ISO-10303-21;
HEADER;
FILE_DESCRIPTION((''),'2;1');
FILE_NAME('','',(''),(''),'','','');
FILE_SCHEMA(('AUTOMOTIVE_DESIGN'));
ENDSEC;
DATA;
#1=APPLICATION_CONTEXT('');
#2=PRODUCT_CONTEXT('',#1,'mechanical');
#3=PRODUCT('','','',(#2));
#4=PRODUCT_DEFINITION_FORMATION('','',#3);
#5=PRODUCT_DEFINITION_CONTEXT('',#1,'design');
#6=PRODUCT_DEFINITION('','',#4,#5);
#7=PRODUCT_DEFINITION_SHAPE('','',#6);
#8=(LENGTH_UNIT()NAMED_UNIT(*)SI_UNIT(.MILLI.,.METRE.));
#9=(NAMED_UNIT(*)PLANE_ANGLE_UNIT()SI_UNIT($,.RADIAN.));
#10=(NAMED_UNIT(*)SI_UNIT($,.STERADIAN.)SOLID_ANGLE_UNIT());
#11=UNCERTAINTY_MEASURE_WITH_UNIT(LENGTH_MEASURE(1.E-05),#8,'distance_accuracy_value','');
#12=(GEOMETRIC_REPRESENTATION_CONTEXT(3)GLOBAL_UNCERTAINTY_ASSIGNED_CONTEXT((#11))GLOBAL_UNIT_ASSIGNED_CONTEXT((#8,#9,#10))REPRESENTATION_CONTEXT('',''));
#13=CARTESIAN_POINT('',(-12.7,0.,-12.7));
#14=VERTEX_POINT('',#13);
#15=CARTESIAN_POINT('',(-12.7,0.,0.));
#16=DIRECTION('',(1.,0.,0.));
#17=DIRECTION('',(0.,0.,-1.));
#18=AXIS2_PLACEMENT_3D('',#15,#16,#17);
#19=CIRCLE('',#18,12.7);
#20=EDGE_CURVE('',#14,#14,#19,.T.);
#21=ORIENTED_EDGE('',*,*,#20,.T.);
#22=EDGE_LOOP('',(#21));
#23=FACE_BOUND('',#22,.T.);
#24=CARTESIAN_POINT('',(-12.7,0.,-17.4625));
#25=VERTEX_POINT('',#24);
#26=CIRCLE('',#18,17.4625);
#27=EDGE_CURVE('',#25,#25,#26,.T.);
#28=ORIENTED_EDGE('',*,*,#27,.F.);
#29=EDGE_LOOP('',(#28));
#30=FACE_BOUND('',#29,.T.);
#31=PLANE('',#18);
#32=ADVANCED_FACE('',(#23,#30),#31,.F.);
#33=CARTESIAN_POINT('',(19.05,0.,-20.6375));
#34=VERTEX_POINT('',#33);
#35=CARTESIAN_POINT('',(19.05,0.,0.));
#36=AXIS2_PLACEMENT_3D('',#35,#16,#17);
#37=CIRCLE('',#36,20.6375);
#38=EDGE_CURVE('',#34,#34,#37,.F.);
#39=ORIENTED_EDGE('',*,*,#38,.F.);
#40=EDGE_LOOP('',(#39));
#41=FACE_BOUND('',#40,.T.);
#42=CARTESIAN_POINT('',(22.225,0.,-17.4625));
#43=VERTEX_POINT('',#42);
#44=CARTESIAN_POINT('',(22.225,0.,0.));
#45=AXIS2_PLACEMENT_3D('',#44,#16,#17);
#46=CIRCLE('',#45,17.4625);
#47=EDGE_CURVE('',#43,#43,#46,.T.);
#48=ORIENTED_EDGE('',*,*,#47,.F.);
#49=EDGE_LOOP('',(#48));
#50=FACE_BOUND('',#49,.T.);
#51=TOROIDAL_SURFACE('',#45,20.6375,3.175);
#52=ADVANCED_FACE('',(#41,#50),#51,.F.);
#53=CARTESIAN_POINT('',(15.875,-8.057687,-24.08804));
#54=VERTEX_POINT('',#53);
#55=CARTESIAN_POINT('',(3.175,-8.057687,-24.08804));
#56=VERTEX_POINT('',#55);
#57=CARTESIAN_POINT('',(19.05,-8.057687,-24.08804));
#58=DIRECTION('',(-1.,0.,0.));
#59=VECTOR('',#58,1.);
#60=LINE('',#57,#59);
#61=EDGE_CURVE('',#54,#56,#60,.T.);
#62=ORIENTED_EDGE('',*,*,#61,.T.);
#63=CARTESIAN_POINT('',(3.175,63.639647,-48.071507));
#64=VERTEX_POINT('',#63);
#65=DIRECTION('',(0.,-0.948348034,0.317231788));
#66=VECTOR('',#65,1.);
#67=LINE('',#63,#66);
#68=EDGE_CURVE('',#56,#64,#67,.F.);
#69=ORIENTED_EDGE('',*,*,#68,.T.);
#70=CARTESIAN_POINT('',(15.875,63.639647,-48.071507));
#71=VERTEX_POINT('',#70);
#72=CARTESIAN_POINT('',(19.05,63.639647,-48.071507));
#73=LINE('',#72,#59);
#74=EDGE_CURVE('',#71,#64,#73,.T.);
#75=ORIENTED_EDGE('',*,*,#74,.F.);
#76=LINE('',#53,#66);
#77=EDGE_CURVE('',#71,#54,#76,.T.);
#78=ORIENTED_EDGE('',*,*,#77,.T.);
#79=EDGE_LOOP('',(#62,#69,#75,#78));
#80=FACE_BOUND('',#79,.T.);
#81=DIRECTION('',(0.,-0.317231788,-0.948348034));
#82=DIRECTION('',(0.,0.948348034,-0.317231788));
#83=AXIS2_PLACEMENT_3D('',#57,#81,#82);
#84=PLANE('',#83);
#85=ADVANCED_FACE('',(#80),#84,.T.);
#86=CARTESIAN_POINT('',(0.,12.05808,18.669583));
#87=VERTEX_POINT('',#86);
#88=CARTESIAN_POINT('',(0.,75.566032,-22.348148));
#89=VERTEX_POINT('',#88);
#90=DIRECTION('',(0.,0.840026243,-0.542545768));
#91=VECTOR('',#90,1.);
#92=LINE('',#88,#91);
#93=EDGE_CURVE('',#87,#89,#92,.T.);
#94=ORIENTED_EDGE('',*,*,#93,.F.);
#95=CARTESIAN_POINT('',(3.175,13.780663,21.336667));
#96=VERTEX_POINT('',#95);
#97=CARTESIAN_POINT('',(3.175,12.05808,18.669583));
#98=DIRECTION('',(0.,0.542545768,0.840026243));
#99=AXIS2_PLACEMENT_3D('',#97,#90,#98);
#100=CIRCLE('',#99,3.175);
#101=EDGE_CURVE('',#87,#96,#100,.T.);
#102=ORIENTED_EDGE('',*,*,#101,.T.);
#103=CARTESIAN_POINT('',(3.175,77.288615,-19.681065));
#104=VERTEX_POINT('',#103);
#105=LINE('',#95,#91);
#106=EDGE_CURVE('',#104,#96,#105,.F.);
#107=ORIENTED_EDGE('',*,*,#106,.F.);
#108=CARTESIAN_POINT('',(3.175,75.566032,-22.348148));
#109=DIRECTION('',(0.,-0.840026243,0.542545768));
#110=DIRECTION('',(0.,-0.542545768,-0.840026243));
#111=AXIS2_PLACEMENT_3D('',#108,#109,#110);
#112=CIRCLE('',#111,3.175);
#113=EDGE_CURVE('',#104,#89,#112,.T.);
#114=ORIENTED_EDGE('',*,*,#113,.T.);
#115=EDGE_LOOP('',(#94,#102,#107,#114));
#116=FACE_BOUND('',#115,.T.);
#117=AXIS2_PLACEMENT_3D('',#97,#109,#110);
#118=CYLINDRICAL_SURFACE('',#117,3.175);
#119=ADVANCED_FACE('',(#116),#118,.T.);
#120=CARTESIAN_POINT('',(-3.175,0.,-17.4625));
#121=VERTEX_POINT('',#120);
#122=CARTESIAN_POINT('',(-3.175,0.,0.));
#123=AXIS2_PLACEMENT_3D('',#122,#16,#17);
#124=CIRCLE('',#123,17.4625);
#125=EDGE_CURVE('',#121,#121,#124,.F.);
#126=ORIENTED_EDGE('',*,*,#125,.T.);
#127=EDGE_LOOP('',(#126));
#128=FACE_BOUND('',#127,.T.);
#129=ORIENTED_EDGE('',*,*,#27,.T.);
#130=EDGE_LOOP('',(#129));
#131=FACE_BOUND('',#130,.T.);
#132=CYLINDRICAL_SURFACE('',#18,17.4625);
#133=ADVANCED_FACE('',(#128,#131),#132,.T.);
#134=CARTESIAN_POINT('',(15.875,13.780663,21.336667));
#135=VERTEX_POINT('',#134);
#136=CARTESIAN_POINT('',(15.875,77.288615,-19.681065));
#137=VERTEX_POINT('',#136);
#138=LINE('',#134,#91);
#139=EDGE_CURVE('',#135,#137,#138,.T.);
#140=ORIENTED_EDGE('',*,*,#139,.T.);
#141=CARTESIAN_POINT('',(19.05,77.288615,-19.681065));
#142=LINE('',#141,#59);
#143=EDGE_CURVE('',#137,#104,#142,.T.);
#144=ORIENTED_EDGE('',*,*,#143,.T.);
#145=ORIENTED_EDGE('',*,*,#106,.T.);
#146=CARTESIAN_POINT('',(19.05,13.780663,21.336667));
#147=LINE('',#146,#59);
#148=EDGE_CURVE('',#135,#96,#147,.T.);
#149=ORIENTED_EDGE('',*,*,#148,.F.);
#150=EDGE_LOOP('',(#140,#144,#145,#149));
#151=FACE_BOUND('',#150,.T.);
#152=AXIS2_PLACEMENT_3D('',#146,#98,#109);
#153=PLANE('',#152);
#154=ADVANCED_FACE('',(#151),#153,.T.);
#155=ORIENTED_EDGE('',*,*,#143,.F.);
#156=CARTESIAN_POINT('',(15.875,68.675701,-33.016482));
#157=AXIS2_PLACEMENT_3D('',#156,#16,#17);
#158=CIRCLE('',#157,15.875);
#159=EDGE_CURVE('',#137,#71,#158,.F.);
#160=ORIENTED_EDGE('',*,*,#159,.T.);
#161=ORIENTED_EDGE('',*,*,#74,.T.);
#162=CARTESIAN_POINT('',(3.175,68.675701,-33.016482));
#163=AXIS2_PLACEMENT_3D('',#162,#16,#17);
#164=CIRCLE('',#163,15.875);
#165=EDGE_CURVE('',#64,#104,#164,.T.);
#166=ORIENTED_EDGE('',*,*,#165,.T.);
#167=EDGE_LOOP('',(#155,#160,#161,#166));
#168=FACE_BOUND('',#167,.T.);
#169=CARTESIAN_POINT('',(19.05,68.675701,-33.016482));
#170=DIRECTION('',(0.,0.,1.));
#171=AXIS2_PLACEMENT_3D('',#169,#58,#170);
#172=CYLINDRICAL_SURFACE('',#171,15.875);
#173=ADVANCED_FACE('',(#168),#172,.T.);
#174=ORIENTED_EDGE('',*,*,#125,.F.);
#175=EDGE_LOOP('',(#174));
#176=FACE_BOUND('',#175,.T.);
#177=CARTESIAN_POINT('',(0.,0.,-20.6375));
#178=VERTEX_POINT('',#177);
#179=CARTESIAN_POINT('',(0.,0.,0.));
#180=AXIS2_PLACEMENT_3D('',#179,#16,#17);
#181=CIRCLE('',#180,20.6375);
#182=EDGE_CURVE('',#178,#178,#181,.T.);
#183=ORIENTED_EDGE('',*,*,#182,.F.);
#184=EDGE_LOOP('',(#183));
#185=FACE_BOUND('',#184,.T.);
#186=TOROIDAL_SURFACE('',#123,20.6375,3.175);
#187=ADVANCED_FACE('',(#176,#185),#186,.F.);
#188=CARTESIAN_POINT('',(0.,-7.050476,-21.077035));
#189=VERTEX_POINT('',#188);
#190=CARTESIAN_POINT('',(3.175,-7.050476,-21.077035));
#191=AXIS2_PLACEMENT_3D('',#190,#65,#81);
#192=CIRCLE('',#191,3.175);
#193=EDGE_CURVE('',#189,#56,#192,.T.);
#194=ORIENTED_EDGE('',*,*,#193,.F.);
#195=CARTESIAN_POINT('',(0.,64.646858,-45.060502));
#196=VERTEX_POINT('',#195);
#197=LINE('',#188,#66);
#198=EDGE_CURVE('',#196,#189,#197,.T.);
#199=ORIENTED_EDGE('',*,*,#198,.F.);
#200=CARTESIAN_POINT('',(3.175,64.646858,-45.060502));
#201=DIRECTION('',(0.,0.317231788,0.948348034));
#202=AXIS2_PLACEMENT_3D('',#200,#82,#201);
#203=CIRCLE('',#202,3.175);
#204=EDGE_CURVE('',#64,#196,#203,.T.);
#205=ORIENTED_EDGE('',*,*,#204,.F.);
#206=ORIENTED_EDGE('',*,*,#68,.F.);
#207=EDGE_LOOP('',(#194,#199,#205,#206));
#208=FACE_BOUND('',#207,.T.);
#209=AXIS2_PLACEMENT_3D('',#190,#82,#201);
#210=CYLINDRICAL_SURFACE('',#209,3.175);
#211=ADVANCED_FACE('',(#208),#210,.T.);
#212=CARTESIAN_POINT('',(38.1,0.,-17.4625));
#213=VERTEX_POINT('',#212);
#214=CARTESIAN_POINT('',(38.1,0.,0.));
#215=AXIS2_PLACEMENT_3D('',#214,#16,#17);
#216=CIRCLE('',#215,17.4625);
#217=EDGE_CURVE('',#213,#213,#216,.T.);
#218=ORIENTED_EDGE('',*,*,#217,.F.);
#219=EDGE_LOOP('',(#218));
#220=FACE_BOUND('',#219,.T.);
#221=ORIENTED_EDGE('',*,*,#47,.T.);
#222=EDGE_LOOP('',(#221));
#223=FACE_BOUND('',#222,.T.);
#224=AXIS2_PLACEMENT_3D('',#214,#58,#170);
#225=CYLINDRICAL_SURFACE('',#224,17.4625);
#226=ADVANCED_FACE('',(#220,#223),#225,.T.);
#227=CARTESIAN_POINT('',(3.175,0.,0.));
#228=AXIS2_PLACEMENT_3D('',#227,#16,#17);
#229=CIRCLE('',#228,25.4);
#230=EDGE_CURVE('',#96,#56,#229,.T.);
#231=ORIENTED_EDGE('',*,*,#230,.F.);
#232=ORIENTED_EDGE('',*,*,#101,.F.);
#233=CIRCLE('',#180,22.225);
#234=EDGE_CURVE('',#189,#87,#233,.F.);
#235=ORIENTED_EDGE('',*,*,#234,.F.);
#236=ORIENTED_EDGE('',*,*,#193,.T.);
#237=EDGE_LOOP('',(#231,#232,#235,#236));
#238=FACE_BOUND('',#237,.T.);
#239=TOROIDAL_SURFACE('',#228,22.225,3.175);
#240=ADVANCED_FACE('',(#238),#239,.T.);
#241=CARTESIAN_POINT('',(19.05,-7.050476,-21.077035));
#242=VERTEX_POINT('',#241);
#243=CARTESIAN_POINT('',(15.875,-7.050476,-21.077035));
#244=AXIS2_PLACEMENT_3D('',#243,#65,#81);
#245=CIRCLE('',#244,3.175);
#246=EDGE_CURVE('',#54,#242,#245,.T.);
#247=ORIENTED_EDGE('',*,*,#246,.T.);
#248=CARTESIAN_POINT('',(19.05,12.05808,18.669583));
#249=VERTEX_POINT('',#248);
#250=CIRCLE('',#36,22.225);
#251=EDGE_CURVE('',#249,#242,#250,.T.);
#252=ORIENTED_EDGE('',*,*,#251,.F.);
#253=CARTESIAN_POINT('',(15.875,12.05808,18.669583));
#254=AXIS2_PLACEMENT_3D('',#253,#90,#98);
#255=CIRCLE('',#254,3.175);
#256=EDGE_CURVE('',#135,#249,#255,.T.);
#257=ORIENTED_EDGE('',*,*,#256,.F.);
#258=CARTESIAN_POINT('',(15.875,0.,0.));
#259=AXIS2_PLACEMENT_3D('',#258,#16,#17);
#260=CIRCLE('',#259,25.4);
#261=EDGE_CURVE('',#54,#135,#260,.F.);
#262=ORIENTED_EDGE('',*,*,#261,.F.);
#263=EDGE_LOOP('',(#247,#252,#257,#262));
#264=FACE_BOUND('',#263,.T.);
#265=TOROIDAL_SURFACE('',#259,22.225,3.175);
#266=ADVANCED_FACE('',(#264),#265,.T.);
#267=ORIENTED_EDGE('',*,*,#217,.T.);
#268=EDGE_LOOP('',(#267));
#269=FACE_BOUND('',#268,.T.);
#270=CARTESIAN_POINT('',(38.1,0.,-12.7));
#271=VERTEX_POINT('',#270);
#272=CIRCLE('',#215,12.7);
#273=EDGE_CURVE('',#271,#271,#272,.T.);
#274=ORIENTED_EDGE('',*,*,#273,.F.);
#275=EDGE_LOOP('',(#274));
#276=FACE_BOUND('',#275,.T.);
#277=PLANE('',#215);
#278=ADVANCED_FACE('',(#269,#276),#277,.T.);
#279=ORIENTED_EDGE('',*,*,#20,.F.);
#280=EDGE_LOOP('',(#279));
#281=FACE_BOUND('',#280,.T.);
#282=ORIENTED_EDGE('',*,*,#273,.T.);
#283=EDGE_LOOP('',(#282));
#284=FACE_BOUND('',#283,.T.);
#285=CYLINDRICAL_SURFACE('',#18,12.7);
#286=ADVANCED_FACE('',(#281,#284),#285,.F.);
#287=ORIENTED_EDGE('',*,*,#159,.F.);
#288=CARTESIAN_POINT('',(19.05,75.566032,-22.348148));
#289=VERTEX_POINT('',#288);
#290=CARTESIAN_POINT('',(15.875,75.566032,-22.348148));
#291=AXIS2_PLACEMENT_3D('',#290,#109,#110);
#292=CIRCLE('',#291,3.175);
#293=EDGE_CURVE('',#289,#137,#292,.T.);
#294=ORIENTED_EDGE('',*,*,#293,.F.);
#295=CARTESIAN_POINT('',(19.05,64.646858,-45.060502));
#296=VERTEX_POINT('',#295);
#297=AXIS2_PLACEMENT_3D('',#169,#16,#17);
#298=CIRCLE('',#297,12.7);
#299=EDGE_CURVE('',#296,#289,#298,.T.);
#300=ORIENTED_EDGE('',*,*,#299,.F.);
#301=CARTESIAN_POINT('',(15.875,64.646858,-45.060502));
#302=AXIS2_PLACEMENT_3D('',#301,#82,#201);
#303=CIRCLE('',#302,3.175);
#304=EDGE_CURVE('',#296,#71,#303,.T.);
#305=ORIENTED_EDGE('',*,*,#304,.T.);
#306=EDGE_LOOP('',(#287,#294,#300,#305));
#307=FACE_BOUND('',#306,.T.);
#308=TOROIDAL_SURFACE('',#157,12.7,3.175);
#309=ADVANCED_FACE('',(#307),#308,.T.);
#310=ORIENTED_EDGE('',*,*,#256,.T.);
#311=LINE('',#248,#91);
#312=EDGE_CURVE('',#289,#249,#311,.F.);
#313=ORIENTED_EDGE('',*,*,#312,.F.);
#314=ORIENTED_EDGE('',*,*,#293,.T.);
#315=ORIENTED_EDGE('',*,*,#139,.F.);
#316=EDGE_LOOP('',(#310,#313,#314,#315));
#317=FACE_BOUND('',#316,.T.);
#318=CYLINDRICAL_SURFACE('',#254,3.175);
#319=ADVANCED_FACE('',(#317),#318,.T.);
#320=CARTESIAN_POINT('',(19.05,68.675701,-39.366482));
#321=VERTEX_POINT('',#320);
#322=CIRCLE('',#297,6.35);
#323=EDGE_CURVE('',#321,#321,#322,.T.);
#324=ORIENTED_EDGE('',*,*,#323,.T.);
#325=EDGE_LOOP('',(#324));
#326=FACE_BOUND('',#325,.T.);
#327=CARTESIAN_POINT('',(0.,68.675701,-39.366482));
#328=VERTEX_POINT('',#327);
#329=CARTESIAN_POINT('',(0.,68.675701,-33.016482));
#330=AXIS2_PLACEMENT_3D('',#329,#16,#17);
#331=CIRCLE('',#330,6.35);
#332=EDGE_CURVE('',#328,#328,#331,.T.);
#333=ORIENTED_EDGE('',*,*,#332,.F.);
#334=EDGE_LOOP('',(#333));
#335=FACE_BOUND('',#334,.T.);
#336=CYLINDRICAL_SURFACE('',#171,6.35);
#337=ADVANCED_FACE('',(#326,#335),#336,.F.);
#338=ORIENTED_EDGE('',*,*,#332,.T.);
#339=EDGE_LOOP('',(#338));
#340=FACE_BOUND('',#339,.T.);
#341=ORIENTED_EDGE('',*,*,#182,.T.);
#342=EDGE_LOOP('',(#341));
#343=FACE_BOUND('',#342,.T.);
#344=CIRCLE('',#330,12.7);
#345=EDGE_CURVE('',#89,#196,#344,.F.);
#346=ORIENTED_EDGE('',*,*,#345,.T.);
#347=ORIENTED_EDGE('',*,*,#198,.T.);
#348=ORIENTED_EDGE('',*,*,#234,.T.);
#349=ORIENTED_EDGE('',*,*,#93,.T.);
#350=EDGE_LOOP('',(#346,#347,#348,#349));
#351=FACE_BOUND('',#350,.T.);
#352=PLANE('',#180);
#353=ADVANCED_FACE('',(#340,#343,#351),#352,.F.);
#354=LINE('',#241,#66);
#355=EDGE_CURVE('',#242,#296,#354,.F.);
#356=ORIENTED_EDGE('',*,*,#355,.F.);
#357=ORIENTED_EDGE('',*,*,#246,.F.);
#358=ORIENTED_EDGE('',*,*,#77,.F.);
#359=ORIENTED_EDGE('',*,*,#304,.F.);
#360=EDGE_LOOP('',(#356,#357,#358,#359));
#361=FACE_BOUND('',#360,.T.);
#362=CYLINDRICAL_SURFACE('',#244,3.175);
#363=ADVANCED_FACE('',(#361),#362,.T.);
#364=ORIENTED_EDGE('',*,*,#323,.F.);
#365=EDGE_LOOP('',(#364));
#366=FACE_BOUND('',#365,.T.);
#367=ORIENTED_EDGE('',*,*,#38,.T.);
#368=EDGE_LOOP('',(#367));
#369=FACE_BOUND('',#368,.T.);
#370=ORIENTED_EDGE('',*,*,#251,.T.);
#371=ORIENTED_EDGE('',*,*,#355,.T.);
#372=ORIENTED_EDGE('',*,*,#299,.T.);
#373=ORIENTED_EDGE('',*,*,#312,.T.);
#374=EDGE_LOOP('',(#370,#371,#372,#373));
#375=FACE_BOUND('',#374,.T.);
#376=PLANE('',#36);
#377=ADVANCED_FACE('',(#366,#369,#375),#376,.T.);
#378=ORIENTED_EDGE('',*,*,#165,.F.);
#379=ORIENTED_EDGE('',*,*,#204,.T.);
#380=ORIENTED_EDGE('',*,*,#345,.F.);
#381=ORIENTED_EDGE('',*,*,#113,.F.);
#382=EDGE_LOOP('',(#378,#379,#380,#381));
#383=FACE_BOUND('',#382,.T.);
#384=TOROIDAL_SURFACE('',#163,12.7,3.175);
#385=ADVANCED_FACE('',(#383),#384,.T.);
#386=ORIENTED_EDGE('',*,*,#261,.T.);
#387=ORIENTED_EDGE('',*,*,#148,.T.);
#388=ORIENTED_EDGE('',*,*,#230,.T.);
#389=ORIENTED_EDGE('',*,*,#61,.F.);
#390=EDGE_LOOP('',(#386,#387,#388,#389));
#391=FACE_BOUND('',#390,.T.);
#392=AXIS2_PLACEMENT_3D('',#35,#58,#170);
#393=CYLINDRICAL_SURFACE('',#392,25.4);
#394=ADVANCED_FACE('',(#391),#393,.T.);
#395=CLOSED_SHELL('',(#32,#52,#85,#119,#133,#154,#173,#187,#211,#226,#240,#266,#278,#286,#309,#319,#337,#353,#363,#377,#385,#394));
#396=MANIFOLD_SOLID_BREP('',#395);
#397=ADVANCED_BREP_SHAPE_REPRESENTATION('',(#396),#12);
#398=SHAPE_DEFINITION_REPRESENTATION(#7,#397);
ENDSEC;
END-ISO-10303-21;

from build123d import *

# Parameters (mm, degrees)
SKETCH1_R           = 17.4625
SKETCH1_R_2         = 12.7
BOSS_EXTRUDE1_DEPTH = 12.7
BOSS_EXTRUDE2_START = 19.05
SKETCH1_3_R         = 6.35
SKETCH1_3_R_2       = 12.7
BOSS_EXTRUDE2_DEPTH = 19.05
BOSS_EXTRUDE3_START = 38.1
SKETCH1_4_R         = 17.4625
SKETCH1_4_R_2       = 12.7
BOSS_EXTRUDE3_DEPTH = 38.1
FILLET1_R           = 3.175


with BuildPart() as part:
    # Sketch1 → Boss-Extrude1 (new body)
    with BuildSketch(Plane(origin=(0, 0, 0), x_dir=(0, 0, -1), z_dir=(1, 0, 0))):
        Circle(SKETCH1_R)
        Circle(SKETCH1_R_2, mode=Mode.SUBTRACT)
    extrude(amount=-BOSS_EXTRUDE1_DEPTH)

    # Sketch1<3> → Boss-Extrude2 (add)
    with BuildSketch(Plane(origin=(0, 0, 0), x_dir=(0, 0, -1), z_dir=(1, 0, 0)).offset(BOSS_EXTRUDE2_START)):
        with BuildLine():
            Line((24.088040055, -8.057687403), (48.071506693, 63.6396466))
            ThreePointArc((48.071506693, 63.6396466), (39.894915337, 82.983138982), (19.681065043, 77.288615292))
            Line((19.681065043, 77.288615292), (-21.336666584, 13.780662505))
            ThreePointArc((-21.336666584, 13.780662505), (-11.005493886, -22.891900409), (24.088040055, -8.057687403))
        make_face()
        with Locations((33.016481658, 68.675701226)):
            Circle(SKETCH1_3_R, mode=Mode.SUBTRACT)
        Circle(SKETCH1_3_R_2, mode=Mode.SUBTRACT)
    extrude(amount=-BOSS_EXTRUDE2_DEPTH)

    # Sketch1<4> → Boss-Extrude3 (add)
    with BuildSketch(Plane(origin=(0, 0, 0), x_dir=(0, 0, -1), z_dir=(1, 0, 0)).offset(BOSS_EXTRUDE3_START)):
        Circle(SKETCH1_4_R)
        Circle(SKETCH1_4_R_2, mode=Mode.SUBTRACT)
    extrude(amount=-BOSS_EXTRUDE3_DEPTH)

    # Fillet1
    fillet1_edges = [part.edges().sort_by_distance(p)[0] for p in [
        (0, 45.534638899, 0.827800771),
        (0, 82.983138982, -39.894915337),
        (0, 27.790979598, -36.079773374),
        (19.05, 45.534638899, 0.827800771),
        (19.05, 82.983138982, -39.894915337),
        (19.05, 27.790979598, -36.079773374),
        (0, 0, 17.4625),
        (0, -22.891900409, 11.005493886),
        (19.05, -22.891900409, 11.005493886),
        (19.05, 0, 17.4625),
    ]]
    fillet(fillet1_edges, radius=FILLET1_R)


solid = part.part
